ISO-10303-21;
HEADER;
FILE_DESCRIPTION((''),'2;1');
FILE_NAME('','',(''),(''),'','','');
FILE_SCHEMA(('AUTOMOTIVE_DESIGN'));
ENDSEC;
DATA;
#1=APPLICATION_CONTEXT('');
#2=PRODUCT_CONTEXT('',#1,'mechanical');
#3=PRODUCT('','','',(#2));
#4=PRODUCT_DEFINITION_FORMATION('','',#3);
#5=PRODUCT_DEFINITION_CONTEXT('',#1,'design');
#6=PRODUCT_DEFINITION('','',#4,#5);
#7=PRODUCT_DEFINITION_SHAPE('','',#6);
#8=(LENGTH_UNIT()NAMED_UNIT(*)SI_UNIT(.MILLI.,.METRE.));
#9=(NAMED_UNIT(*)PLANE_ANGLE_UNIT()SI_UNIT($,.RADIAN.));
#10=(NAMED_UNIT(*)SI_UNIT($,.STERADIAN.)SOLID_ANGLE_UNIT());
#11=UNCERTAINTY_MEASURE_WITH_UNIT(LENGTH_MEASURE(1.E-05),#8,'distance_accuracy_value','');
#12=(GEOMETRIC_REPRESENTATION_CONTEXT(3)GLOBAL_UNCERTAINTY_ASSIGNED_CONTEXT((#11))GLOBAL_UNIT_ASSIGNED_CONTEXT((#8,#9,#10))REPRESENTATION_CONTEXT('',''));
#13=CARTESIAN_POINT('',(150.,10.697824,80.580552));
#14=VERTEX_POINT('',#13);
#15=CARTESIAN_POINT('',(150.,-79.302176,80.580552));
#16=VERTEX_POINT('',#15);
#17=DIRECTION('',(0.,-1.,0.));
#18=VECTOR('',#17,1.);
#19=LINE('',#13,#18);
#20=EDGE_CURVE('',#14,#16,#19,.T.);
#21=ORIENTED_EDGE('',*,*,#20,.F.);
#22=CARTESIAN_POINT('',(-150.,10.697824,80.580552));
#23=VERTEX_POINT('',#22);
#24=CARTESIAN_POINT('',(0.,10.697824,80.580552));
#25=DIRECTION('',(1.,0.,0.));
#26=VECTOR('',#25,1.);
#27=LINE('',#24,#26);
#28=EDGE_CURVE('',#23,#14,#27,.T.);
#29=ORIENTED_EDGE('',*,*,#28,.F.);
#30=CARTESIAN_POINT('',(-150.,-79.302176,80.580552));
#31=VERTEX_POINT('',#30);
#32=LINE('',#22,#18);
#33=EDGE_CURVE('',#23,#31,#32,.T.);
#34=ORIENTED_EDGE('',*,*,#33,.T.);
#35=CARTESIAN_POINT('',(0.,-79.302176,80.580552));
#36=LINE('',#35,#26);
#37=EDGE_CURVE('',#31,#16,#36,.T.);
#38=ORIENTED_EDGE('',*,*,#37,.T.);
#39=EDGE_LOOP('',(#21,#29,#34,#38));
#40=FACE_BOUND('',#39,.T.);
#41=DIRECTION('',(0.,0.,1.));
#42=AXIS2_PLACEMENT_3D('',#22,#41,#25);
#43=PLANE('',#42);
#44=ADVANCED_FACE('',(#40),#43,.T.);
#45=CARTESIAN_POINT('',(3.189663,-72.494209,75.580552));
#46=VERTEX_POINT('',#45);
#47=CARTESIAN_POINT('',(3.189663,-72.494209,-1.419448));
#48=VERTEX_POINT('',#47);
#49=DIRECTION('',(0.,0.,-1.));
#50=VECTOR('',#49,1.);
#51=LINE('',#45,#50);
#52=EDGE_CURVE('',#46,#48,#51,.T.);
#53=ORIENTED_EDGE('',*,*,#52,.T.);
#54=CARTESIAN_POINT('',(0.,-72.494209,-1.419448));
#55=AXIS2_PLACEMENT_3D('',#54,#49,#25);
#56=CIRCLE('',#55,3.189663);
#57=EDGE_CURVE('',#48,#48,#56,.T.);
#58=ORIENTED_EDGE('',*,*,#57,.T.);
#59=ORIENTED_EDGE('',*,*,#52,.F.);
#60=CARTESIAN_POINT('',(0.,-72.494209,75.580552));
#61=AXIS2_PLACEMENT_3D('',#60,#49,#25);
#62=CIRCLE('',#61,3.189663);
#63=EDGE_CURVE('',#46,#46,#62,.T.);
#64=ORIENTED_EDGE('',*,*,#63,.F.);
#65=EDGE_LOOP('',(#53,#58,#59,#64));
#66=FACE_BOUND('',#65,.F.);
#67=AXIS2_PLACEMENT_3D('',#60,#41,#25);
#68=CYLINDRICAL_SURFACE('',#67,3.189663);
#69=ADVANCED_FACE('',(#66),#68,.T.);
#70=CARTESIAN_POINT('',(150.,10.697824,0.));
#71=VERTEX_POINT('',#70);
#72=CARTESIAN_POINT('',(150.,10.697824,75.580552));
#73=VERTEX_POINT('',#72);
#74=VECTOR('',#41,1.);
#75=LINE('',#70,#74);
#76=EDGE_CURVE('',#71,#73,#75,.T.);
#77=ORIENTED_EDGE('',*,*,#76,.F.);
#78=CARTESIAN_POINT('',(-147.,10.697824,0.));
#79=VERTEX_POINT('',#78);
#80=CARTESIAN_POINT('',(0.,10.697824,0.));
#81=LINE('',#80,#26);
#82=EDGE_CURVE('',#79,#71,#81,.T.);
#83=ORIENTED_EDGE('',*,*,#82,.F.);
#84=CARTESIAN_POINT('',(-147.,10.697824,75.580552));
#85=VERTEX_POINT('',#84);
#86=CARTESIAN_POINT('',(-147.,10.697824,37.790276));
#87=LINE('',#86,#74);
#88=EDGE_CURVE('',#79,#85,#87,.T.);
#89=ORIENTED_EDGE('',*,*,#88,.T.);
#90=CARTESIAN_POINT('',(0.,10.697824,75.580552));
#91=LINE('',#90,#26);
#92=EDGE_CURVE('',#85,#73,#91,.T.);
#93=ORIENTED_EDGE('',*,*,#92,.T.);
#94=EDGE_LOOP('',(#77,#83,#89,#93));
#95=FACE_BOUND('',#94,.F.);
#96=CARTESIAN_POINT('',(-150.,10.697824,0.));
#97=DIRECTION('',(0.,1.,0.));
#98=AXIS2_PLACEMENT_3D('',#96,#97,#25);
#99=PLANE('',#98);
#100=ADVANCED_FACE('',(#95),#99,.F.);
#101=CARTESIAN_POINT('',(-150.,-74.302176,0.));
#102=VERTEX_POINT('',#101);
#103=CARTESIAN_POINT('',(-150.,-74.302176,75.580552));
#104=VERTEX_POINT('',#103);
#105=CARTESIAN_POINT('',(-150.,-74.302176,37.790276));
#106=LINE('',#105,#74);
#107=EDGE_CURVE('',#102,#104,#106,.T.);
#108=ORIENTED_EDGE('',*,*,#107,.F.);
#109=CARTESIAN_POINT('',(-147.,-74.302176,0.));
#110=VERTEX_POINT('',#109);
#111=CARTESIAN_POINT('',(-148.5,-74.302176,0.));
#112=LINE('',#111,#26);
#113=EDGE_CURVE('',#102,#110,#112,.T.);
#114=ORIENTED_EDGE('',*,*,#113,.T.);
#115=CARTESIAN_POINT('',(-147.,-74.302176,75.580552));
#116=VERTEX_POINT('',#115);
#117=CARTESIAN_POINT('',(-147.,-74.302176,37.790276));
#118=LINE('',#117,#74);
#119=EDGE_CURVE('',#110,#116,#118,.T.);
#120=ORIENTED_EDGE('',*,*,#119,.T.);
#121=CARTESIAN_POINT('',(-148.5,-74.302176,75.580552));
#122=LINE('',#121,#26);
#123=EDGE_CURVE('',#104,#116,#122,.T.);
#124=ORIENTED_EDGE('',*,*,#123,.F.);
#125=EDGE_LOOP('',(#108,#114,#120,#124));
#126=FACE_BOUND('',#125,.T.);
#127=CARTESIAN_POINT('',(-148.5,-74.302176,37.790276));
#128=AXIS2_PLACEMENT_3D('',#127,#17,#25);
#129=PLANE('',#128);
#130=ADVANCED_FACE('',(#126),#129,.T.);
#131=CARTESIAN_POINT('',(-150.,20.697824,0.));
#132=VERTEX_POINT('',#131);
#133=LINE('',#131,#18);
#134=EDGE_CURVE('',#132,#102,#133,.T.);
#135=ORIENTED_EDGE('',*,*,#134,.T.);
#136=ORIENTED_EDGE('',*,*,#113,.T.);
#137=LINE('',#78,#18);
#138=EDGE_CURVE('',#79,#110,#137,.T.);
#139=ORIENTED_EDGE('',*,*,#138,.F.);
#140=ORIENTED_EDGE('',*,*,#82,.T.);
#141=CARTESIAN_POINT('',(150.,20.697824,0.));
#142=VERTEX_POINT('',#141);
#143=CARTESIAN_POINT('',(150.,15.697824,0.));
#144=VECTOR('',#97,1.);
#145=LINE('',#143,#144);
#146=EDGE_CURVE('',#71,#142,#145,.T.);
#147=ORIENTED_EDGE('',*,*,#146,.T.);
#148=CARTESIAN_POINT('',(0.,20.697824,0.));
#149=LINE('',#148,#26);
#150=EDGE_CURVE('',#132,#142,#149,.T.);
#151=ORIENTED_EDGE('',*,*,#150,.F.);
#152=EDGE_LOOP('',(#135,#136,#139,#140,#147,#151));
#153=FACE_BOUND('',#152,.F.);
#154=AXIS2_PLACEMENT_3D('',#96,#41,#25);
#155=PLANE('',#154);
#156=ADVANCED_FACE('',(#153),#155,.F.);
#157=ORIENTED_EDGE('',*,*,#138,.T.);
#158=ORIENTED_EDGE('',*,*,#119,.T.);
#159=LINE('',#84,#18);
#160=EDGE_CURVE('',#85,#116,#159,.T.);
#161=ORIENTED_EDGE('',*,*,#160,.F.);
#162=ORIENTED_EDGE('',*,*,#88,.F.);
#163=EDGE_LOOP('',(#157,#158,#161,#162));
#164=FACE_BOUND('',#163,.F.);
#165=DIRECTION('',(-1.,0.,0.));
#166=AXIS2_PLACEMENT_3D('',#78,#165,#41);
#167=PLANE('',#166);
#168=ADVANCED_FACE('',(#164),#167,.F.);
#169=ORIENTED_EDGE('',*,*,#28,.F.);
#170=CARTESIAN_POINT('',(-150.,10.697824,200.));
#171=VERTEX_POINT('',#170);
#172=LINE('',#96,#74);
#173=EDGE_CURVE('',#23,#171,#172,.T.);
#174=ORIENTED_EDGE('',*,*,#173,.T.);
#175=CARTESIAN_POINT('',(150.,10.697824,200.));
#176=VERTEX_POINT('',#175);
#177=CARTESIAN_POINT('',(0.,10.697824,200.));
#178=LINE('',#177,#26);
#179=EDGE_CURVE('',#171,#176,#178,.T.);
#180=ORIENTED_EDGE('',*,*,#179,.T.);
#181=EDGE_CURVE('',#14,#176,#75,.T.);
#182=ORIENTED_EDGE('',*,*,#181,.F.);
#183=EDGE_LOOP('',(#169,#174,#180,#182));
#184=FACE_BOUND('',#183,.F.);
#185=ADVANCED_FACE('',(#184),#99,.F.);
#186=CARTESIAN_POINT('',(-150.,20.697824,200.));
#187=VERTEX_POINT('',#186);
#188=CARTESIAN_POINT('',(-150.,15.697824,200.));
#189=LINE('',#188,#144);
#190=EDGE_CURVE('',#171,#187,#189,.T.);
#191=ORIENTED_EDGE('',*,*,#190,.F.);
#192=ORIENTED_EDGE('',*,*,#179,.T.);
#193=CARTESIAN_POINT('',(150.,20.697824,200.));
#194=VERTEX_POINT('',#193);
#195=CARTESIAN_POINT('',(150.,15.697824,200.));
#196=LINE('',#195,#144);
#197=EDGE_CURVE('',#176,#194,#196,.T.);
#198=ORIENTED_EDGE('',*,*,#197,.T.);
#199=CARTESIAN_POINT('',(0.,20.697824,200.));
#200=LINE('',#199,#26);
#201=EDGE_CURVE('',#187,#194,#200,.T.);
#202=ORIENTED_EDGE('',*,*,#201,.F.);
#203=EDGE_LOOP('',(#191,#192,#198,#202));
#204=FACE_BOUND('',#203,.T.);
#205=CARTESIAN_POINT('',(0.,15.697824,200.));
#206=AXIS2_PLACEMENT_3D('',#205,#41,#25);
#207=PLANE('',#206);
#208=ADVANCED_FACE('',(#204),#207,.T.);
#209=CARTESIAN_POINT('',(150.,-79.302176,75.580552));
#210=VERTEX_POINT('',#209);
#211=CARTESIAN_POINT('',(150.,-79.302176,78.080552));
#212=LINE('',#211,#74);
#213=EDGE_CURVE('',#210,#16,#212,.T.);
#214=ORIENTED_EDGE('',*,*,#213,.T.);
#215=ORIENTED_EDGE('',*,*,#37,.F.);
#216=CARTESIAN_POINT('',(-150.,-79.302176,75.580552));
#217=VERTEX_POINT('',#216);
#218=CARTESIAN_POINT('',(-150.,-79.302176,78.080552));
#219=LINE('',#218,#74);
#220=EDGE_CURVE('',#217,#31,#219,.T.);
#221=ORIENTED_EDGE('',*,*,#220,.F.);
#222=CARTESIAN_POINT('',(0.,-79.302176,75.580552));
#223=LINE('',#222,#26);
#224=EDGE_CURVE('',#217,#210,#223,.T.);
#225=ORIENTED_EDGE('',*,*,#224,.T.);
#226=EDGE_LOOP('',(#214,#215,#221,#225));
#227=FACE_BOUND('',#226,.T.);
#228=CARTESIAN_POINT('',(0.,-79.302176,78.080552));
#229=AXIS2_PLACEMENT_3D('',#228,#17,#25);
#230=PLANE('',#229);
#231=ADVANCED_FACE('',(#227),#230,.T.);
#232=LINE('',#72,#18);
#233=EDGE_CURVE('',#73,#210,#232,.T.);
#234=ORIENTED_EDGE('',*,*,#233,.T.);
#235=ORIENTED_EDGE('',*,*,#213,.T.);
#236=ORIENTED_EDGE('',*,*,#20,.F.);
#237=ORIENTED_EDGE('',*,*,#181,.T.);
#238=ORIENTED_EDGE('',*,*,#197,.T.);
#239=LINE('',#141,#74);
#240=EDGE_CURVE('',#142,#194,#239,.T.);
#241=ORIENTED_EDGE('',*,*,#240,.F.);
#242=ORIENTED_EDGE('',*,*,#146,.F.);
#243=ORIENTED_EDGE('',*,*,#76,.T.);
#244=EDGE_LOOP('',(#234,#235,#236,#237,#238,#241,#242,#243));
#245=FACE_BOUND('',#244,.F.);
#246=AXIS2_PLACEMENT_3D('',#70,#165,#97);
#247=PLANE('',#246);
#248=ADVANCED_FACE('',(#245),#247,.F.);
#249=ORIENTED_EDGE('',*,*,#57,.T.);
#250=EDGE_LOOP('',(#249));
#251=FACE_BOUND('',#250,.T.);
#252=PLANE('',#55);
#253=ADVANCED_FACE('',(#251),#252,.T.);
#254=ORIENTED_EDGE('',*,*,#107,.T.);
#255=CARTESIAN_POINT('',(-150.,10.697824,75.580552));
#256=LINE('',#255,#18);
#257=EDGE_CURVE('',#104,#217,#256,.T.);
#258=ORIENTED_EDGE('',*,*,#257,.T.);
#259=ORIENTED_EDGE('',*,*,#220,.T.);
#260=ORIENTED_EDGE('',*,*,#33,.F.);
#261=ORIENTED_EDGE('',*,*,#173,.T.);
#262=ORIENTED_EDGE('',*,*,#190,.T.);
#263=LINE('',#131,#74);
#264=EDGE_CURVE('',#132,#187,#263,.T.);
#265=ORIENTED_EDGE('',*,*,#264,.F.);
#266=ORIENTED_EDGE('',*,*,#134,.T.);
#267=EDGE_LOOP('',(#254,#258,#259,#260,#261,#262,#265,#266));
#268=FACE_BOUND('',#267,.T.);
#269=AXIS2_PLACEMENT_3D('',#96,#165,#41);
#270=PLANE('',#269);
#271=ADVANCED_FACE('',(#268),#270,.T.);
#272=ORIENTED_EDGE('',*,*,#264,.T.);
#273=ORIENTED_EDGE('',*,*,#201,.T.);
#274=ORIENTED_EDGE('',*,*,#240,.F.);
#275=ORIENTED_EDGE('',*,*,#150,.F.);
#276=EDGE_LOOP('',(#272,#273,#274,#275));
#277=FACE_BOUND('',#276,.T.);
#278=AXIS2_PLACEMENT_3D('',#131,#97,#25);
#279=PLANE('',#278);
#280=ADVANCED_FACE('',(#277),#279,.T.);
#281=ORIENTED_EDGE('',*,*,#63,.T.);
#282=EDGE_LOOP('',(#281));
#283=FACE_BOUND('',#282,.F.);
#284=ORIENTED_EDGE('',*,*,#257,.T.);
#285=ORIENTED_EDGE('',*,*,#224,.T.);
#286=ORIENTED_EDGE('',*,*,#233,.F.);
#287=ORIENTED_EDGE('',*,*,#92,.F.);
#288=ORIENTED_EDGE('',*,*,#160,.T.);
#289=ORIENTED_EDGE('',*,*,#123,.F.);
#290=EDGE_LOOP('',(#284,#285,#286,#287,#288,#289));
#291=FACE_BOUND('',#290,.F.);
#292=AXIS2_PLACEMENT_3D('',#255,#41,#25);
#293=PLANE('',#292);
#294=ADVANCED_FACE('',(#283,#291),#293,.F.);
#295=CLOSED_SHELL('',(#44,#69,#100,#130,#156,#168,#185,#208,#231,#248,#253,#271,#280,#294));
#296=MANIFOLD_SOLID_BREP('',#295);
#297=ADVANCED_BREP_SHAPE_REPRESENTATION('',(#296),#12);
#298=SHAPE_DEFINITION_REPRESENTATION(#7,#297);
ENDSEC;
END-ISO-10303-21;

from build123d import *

# Parameters (mm, degrees)
F0_W     = 300
F0_H     = 10
F1_DEPTH = 200
F2_W     = 300
F2_H     = 5
F3_DEPTH = 90
F4_W     = 3
F4_H     = 75.580552
F5_DEPTH = 85
F6_R     = 3.189663
F7_DEPTH = 77


with BuildPart() as f1:
    # F0 (on Top) → F1 (new body)
    with BuildSketch(Plane.XY):
        with Locations((0, 15.697824)):
            Rectangle(F0_W, F0_H)
    extrude(amount=F1_DEPTH)

    # F2 (on face) → F3 (join)
    with BuildSketch(Plane.XZ.offset(-10.697824)):
        with Locations((0, 78.080552)):
            Rectangle(F2_W, F2_H)
    extrude(amount=F3_DEPTH)

    # F4 (on face) → F5 (join)
    with BuildSketch(Plane.XZ.offset(-10.697824)):
        with Locations((-148.5, 37.790276)):
            Rectangle(F4_W, F4_H)
    extrude(amount=F5_DEPTH)

    # F6 (on face) → F7 (join)
    with BuildSketch(Plane(origin=(0, 0, 75.580552), x_dir=(1, 0, 0), z_dir=(0, 0, -1))):
        with Locations((0, 72.494209)):
            Circle(F6_R)
    extrude(amount=F7_DEPTH)


solid = f1.part
